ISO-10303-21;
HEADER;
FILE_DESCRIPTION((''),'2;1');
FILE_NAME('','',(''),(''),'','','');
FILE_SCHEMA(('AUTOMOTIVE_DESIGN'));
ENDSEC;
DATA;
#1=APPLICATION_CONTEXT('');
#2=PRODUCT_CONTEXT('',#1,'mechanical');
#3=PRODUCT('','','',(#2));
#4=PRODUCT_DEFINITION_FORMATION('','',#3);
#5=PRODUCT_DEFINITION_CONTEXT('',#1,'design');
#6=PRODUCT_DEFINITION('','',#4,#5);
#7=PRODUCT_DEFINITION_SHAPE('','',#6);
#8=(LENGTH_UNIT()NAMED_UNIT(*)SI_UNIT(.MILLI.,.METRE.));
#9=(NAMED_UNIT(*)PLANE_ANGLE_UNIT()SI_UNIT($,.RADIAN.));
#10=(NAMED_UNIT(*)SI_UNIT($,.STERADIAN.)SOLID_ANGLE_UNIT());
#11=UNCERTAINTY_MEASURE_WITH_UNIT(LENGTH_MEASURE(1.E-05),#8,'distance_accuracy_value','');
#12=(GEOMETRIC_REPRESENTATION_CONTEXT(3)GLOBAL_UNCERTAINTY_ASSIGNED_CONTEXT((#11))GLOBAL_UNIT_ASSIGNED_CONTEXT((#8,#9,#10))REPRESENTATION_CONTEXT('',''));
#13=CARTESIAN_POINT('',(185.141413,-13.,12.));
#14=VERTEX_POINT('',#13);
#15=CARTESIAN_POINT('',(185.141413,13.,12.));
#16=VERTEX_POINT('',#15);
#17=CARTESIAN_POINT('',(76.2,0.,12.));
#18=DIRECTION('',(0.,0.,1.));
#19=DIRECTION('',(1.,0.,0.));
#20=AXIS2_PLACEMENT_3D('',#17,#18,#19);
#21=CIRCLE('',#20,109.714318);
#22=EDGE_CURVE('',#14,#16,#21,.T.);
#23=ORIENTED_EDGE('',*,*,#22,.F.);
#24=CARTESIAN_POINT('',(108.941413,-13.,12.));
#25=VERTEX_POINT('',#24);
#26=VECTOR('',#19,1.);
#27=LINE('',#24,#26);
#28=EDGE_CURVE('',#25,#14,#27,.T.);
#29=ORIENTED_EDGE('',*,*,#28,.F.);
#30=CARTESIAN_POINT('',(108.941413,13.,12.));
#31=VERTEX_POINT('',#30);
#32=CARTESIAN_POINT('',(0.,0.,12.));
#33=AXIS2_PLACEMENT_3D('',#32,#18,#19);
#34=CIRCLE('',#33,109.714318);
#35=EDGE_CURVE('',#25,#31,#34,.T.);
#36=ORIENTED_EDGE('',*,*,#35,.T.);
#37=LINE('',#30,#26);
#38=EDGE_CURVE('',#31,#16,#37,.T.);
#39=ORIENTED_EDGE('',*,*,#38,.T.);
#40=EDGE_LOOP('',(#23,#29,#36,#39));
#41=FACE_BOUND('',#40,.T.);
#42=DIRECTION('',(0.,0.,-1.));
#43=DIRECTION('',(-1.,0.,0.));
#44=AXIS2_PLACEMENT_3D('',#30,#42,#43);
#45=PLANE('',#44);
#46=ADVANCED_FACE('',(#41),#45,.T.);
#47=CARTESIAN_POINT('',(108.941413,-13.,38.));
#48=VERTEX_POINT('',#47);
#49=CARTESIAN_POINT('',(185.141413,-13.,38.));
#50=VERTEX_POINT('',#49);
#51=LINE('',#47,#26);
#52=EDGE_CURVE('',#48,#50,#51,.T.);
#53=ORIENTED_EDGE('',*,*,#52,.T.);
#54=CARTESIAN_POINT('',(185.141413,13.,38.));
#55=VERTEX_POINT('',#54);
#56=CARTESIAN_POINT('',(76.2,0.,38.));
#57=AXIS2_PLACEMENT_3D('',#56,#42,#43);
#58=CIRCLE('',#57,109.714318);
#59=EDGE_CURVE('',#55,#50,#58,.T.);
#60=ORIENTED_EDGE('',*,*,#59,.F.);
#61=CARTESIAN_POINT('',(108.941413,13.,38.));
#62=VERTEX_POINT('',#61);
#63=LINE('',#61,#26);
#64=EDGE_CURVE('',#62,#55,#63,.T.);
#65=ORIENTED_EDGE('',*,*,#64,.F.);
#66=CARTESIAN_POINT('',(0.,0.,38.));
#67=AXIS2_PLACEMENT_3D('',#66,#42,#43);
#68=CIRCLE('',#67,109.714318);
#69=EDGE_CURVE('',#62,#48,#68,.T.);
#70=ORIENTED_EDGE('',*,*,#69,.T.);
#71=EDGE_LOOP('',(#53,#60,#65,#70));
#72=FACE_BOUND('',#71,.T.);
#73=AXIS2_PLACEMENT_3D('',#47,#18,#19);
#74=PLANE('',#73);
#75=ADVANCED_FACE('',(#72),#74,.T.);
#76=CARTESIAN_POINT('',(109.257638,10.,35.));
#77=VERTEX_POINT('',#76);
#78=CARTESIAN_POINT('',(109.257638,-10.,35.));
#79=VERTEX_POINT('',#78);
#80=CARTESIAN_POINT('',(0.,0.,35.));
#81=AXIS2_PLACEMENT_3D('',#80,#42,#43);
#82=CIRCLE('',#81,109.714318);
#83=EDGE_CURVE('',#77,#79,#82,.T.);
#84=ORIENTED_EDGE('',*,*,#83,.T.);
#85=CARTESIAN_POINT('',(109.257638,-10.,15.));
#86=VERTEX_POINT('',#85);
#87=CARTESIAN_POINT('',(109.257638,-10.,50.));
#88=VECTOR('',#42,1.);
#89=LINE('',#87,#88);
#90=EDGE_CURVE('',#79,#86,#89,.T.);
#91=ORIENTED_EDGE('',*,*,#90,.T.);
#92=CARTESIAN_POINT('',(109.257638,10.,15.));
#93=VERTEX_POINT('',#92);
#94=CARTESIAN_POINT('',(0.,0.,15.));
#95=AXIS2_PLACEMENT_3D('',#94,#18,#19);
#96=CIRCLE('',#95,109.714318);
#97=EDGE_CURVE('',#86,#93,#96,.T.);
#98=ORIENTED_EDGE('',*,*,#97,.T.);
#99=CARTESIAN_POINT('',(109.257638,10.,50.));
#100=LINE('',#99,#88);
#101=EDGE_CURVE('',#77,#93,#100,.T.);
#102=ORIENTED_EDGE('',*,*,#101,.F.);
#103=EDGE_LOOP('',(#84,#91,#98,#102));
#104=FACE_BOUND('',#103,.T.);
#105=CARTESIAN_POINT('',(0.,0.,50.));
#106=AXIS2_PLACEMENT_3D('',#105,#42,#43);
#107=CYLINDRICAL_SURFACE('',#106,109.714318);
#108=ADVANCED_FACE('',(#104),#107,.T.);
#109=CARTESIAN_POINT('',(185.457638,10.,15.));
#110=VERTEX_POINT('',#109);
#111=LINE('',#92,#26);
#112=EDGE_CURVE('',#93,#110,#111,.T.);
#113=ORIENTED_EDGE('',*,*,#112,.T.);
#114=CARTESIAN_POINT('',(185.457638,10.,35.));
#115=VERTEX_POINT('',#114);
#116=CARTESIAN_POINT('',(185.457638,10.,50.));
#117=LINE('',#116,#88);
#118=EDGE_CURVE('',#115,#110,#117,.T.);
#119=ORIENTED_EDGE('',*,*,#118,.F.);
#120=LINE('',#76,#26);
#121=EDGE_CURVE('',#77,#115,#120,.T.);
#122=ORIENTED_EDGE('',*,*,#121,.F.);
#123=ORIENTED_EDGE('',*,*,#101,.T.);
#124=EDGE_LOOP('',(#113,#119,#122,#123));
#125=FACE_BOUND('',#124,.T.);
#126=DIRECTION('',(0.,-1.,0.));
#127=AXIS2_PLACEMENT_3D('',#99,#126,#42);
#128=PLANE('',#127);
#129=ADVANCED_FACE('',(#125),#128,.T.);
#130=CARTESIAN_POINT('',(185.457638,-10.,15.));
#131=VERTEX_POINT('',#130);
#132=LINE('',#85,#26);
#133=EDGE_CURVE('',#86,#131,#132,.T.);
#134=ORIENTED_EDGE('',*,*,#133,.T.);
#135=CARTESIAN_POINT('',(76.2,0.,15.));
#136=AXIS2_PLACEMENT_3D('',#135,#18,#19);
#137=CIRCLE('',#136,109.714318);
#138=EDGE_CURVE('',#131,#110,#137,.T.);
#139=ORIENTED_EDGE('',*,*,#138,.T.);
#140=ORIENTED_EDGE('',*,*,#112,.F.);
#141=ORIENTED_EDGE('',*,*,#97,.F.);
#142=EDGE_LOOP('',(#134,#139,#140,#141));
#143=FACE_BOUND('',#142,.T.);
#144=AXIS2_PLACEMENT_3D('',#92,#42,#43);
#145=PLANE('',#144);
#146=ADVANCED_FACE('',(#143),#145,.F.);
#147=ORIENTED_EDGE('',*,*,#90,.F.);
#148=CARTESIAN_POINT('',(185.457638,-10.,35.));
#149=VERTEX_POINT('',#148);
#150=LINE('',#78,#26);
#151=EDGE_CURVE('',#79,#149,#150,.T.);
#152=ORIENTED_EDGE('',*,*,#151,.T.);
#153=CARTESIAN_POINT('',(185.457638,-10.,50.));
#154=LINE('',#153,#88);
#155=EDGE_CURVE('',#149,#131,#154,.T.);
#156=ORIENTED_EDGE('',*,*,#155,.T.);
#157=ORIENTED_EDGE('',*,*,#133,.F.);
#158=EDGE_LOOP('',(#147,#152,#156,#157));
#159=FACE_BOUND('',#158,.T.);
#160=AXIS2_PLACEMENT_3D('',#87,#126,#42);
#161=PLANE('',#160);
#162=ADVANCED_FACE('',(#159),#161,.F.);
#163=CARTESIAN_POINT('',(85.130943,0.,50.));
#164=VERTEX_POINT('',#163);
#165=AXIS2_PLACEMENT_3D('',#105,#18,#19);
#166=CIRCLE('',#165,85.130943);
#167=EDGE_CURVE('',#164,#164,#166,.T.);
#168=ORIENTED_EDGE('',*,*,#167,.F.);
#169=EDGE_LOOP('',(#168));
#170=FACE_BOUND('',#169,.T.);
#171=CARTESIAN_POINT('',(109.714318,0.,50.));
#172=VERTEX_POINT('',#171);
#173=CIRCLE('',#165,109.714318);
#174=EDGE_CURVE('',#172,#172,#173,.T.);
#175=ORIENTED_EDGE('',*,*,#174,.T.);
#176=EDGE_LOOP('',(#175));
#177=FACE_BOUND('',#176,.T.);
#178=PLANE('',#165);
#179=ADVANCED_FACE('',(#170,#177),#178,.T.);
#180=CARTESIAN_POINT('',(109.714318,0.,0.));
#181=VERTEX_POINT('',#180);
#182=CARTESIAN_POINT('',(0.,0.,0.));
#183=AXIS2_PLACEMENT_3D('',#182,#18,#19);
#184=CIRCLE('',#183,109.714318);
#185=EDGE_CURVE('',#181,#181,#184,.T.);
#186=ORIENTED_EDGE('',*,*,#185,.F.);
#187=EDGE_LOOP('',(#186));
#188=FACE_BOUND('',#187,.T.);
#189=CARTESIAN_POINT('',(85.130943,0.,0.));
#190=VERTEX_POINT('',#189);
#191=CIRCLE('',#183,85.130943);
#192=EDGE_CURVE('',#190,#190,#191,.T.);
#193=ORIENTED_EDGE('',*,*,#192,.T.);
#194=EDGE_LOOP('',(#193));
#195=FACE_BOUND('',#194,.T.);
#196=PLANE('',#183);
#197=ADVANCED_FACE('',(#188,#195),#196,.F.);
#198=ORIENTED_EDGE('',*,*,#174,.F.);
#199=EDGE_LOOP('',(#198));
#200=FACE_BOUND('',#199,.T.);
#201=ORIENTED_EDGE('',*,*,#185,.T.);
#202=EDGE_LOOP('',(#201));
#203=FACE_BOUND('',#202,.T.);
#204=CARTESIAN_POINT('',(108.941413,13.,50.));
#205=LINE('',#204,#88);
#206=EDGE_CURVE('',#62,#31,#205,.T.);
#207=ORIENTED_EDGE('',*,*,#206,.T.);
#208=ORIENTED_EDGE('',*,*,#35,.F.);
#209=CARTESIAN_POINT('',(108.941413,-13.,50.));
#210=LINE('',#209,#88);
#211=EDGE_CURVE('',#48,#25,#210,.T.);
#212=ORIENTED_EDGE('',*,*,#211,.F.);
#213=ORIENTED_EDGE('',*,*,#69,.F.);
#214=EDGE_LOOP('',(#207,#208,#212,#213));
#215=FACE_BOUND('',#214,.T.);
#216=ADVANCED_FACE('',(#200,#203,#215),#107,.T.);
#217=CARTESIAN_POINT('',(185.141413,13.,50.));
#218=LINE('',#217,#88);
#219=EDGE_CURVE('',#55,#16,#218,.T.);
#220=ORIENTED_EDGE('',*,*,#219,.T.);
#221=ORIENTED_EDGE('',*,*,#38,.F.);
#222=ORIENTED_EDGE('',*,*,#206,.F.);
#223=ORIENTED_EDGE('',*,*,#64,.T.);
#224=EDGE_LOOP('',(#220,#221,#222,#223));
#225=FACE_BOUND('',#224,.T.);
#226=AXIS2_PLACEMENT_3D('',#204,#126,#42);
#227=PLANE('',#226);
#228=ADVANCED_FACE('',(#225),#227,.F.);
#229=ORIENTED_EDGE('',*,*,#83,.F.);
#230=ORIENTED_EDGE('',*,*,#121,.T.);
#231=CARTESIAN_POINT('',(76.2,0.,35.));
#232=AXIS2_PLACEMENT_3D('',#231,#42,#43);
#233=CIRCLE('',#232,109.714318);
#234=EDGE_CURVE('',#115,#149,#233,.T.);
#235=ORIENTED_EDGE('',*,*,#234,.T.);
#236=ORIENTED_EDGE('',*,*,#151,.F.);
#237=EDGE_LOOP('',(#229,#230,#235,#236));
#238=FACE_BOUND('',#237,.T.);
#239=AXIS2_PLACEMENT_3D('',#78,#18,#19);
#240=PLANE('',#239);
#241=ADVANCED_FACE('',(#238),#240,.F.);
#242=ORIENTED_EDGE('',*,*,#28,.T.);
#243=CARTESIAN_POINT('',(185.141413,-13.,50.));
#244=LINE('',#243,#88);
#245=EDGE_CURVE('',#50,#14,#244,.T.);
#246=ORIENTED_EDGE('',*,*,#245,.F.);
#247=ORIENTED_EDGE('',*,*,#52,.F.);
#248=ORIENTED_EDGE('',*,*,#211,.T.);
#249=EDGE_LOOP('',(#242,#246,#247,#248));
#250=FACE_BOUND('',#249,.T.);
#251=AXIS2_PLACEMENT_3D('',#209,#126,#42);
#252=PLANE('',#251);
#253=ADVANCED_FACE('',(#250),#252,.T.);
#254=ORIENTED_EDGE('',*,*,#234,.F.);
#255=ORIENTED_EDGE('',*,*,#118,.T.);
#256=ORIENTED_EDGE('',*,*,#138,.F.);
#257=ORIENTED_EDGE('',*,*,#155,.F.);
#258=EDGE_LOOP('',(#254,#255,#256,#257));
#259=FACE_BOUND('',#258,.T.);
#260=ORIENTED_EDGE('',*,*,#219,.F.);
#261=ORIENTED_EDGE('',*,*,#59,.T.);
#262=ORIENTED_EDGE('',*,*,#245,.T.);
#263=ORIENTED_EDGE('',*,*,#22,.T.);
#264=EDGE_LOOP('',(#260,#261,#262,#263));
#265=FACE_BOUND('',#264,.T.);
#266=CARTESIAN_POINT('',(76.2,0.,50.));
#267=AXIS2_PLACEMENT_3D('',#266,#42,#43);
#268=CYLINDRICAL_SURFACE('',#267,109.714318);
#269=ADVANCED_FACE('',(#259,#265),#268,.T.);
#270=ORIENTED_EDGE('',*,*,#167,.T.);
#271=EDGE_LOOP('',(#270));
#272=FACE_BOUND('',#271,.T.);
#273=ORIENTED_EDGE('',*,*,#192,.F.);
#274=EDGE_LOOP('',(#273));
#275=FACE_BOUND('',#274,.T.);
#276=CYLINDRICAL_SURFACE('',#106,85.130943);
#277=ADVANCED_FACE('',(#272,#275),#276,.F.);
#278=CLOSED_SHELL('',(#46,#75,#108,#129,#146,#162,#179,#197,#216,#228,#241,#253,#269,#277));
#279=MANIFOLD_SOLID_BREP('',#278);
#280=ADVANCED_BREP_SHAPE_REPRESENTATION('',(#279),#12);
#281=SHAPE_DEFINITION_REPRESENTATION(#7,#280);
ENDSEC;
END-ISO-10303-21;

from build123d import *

# Parameters (mm, degrees)
SKETCH1_R                  = 109.714317711
SKETCH1_R_2                = 85.130943159
BOSS_EXTRUDE1_DEPTH        = 50
BOSS_EXTRUDE2_REACH        = 241.217
BOSS_EXTRUDE2_START_RADIUS = 109.714317711
BOSS_EXTRUDE2_END_RADIUS   = 109.714317711
SKETCH2_W                  = 26
SKETCH2_H                  = 26
SKETCH2_W_2                = 20
SKETCH2_H_2                = 20


with BuildPart() as part:
    # Sketch1 → Boss-Extrude1 (new body)
    with BuildSketch(Plane.XY):
        Circle(SKETCH1_R)
        Circle(SKETCH1_R_2, mode=Mode.SUBTRACT)
    extrude(amount=BOSS_EXTRUDE1_DEPTH)

    # Boss-Extrude2: from a cylinder face, 241.217 long prism both ways, kept between that surface and its translate by the depth
    boss_extrude2_start = Plane(origin=(0, 0, 25), z_dir=(0, 0, -1)) * Cylinder(BOSS_EXTRUDE2_START_RADIUS, 702.862635421, mode=Mode.PRIVATE)
    boss_extrude2_end = Plane(origin=(76.2, 0, 25), z_dir=(0, 0, -1)) * Cylinder(BOSS_EXTRUDE2_END_RADIUS, 702.862635421, mode=Mode.PRIVATE)
    # Sketch2 → Boss-Extrude2 (add, from a surface)
    with BuildSketch(Plane(origin=(0, 0, 0), x_dir=(0, 0, -1), z_dir=(1, 0, 0)), mode=Mode.PRIVATE) as boss_extrude2_sk1:
        with Locations((-25, 0)):
            Rectangle(SKETCH2_W, SKETCH2_H)
        with Locations((-25, 0)):
            Rectangle(SKETCH2_W_2, SKETCH2_H_2, mode=Mode.SUBTRACT)
    boss_extrude2_tool1 = extrude(boss_extrude2_sk1.sketch, amount=BOSS_EXTRUDE2_REACH, both=True, mode=Mode.PRIVATE)
    add(((boss_extrude2_tool1 - boss_extrude2_start) & boss_extrude2_end).solids().sort_by_distance((147.199526, 12.632304, 25))[0])


solid = part.part
